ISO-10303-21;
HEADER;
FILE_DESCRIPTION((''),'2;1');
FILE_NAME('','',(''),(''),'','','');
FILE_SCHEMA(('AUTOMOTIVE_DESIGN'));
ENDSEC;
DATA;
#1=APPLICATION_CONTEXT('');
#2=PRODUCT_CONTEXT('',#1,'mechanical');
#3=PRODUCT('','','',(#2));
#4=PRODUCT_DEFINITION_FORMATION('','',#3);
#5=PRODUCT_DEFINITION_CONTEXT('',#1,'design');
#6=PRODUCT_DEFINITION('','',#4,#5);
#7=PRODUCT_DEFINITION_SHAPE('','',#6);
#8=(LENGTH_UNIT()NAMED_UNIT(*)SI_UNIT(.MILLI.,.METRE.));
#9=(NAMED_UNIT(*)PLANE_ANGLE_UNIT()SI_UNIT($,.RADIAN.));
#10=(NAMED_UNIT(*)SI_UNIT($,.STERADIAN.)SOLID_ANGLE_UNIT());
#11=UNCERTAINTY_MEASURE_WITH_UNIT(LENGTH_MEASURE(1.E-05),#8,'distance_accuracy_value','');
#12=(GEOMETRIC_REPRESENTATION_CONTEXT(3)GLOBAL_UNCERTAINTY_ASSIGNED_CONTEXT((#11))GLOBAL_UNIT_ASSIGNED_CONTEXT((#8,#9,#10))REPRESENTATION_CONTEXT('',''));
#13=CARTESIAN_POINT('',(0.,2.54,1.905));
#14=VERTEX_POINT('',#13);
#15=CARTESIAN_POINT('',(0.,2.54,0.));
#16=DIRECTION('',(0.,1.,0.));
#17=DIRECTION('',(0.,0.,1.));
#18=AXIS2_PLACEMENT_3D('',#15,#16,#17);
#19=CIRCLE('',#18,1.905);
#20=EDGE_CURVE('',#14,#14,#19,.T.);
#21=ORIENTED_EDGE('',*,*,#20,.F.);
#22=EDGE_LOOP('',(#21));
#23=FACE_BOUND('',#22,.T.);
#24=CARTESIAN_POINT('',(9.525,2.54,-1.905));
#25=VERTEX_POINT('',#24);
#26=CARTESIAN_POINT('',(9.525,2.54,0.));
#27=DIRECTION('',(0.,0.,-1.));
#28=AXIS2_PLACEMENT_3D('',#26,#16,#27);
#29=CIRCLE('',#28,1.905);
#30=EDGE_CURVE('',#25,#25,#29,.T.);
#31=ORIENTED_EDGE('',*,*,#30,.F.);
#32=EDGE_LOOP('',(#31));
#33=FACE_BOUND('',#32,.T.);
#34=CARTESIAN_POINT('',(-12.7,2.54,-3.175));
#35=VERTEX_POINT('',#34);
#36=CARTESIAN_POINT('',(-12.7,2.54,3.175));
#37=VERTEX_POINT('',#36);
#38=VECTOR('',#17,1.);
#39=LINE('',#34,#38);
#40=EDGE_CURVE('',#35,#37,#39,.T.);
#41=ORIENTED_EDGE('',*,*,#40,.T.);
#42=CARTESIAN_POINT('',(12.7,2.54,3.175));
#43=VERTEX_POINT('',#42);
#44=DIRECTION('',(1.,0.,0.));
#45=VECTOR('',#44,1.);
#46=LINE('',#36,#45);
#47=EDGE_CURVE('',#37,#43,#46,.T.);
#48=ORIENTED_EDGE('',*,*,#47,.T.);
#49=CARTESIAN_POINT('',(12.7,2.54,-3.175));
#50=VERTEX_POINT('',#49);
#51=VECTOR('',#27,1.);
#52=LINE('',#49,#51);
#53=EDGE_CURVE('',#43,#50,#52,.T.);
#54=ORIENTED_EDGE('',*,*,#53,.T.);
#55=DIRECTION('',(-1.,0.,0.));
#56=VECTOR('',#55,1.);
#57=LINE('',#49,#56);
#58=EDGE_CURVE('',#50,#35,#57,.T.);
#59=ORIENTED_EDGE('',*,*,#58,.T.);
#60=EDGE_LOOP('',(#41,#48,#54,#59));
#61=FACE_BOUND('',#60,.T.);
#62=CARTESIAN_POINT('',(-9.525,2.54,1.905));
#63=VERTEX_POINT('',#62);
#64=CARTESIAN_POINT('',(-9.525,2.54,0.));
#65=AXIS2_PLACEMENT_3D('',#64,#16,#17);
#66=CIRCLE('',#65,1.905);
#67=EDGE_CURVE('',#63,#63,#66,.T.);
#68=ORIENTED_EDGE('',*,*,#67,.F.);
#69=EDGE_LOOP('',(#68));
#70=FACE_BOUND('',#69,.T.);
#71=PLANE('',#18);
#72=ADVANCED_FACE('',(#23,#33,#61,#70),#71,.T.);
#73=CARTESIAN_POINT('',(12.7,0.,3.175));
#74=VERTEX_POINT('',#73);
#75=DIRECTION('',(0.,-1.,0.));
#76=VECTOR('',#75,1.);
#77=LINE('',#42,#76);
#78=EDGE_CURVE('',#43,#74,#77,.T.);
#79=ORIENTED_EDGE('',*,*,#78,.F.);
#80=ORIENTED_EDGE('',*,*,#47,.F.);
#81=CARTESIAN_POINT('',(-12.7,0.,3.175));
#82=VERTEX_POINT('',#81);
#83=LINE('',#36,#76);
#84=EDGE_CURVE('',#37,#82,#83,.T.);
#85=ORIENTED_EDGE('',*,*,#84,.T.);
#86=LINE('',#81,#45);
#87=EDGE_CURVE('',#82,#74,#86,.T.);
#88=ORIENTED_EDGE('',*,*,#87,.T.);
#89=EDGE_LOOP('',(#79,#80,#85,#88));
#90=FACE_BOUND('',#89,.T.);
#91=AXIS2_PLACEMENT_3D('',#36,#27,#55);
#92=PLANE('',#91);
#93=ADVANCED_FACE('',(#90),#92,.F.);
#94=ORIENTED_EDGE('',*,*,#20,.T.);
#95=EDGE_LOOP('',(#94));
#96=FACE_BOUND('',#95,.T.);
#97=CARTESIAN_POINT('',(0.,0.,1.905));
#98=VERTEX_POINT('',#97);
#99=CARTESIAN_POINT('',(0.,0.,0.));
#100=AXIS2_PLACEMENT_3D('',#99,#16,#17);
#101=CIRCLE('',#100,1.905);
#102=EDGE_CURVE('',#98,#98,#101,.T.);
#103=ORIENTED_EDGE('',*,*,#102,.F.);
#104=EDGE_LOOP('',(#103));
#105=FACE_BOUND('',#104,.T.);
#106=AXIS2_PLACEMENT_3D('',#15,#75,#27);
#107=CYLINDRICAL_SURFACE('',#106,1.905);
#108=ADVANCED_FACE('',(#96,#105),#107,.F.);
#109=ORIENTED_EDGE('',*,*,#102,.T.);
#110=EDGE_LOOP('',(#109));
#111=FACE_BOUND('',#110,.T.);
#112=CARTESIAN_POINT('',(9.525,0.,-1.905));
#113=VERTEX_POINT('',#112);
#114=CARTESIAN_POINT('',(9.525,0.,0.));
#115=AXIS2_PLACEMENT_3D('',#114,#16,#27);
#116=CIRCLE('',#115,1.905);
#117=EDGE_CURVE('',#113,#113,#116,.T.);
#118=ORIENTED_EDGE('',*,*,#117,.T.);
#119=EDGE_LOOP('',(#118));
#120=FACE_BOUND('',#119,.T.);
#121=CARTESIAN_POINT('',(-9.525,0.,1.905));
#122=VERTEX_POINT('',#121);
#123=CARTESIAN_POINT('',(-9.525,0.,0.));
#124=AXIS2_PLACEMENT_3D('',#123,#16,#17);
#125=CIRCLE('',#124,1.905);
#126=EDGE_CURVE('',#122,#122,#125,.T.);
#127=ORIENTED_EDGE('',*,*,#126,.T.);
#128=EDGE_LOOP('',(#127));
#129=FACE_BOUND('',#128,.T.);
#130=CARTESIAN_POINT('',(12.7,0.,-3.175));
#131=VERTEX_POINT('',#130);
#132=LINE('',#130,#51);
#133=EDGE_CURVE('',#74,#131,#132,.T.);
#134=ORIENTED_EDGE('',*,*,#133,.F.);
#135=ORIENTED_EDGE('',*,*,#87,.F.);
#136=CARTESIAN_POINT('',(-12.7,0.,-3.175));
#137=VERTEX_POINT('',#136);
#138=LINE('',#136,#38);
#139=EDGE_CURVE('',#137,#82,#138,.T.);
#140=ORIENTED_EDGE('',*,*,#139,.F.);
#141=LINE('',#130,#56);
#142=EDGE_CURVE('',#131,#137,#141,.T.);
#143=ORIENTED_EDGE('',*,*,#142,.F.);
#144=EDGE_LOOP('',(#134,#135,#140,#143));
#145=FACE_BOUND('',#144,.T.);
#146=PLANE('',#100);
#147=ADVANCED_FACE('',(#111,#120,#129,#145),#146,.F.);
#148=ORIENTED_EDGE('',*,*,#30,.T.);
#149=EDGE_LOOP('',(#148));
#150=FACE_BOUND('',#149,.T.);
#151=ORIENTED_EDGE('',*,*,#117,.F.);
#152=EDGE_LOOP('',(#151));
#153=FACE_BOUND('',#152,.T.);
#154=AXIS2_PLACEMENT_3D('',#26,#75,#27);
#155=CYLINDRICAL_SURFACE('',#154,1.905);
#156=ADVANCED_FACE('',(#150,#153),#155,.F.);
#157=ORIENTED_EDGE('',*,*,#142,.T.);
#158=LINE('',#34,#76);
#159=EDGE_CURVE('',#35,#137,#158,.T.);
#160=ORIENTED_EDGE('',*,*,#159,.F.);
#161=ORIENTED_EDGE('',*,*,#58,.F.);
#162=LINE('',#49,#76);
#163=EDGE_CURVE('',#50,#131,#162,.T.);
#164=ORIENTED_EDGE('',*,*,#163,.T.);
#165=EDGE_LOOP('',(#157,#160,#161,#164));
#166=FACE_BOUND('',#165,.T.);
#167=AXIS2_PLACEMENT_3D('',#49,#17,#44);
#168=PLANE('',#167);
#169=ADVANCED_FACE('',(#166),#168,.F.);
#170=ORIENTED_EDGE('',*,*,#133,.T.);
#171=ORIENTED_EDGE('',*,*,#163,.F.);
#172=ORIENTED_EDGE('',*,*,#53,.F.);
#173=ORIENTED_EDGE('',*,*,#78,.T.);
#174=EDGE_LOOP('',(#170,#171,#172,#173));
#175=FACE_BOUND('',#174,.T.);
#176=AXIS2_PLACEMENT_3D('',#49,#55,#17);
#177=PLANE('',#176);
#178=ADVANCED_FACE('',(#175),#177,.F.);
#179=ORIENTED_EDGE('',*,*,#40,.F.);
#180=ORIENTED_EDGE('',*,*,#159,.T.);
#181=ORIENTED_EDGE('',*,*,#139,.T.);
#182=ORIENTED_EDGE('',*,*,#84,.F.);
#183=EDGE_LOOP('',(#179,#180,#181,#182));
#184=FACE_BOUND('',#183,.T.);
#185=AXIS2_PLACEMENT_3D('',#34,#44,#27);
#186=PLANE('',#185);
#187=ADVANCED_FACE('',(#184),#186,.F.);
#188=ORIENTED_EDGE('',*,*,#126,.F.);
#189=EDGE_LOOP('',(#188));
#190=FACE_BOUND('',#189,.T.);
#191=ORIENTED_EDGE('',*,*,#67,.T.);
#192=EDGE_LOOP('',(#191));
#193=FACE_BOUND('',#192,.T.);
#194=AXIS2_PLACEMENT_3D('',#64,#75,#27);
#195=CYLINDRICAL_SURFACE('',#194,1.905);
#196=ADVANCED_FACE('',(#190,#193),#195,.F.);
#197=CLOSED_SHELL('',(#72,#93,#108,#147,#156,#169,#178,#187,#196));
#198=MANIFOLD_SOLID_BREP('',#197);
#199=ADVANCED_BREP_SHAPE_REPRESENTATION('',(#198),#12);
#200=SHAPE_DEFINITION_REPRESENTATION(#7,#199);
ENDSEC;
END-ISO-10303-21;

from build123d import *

# Parameters (mm, degrees)
SKETCH1_W           = 25.4
SKETCH1_H           = 6.35
SKETCH1_R           = 1.905
BOSS_EXTRUDE1_DEPTH = 2.54


with BuildPart() as part:
    # Sketch1 → Boss-Extrude1 (new body)
    with BuildSketch(Plane(origin=(0, 0, 0), x_dir=(1, 0, 0), z_dir=(0, 1, 0))):
        Rectangle(SKETCH1_W, SKETCH1_H)
        with Locations((-9.525, 0)):
            Circle(SKETCH1_R, mode=Mode.SUBTRACT)
        with Locations((9.525, 0)):
            Circle(SKETCH1_R, mode=Mode.SUBTRACT)
        Circle(SKETCH1_R, mode=Mode.SUBTRACT)
    extrude(amount=BOSS_EXTRUDE1_DEPTH)


solid = part.part
